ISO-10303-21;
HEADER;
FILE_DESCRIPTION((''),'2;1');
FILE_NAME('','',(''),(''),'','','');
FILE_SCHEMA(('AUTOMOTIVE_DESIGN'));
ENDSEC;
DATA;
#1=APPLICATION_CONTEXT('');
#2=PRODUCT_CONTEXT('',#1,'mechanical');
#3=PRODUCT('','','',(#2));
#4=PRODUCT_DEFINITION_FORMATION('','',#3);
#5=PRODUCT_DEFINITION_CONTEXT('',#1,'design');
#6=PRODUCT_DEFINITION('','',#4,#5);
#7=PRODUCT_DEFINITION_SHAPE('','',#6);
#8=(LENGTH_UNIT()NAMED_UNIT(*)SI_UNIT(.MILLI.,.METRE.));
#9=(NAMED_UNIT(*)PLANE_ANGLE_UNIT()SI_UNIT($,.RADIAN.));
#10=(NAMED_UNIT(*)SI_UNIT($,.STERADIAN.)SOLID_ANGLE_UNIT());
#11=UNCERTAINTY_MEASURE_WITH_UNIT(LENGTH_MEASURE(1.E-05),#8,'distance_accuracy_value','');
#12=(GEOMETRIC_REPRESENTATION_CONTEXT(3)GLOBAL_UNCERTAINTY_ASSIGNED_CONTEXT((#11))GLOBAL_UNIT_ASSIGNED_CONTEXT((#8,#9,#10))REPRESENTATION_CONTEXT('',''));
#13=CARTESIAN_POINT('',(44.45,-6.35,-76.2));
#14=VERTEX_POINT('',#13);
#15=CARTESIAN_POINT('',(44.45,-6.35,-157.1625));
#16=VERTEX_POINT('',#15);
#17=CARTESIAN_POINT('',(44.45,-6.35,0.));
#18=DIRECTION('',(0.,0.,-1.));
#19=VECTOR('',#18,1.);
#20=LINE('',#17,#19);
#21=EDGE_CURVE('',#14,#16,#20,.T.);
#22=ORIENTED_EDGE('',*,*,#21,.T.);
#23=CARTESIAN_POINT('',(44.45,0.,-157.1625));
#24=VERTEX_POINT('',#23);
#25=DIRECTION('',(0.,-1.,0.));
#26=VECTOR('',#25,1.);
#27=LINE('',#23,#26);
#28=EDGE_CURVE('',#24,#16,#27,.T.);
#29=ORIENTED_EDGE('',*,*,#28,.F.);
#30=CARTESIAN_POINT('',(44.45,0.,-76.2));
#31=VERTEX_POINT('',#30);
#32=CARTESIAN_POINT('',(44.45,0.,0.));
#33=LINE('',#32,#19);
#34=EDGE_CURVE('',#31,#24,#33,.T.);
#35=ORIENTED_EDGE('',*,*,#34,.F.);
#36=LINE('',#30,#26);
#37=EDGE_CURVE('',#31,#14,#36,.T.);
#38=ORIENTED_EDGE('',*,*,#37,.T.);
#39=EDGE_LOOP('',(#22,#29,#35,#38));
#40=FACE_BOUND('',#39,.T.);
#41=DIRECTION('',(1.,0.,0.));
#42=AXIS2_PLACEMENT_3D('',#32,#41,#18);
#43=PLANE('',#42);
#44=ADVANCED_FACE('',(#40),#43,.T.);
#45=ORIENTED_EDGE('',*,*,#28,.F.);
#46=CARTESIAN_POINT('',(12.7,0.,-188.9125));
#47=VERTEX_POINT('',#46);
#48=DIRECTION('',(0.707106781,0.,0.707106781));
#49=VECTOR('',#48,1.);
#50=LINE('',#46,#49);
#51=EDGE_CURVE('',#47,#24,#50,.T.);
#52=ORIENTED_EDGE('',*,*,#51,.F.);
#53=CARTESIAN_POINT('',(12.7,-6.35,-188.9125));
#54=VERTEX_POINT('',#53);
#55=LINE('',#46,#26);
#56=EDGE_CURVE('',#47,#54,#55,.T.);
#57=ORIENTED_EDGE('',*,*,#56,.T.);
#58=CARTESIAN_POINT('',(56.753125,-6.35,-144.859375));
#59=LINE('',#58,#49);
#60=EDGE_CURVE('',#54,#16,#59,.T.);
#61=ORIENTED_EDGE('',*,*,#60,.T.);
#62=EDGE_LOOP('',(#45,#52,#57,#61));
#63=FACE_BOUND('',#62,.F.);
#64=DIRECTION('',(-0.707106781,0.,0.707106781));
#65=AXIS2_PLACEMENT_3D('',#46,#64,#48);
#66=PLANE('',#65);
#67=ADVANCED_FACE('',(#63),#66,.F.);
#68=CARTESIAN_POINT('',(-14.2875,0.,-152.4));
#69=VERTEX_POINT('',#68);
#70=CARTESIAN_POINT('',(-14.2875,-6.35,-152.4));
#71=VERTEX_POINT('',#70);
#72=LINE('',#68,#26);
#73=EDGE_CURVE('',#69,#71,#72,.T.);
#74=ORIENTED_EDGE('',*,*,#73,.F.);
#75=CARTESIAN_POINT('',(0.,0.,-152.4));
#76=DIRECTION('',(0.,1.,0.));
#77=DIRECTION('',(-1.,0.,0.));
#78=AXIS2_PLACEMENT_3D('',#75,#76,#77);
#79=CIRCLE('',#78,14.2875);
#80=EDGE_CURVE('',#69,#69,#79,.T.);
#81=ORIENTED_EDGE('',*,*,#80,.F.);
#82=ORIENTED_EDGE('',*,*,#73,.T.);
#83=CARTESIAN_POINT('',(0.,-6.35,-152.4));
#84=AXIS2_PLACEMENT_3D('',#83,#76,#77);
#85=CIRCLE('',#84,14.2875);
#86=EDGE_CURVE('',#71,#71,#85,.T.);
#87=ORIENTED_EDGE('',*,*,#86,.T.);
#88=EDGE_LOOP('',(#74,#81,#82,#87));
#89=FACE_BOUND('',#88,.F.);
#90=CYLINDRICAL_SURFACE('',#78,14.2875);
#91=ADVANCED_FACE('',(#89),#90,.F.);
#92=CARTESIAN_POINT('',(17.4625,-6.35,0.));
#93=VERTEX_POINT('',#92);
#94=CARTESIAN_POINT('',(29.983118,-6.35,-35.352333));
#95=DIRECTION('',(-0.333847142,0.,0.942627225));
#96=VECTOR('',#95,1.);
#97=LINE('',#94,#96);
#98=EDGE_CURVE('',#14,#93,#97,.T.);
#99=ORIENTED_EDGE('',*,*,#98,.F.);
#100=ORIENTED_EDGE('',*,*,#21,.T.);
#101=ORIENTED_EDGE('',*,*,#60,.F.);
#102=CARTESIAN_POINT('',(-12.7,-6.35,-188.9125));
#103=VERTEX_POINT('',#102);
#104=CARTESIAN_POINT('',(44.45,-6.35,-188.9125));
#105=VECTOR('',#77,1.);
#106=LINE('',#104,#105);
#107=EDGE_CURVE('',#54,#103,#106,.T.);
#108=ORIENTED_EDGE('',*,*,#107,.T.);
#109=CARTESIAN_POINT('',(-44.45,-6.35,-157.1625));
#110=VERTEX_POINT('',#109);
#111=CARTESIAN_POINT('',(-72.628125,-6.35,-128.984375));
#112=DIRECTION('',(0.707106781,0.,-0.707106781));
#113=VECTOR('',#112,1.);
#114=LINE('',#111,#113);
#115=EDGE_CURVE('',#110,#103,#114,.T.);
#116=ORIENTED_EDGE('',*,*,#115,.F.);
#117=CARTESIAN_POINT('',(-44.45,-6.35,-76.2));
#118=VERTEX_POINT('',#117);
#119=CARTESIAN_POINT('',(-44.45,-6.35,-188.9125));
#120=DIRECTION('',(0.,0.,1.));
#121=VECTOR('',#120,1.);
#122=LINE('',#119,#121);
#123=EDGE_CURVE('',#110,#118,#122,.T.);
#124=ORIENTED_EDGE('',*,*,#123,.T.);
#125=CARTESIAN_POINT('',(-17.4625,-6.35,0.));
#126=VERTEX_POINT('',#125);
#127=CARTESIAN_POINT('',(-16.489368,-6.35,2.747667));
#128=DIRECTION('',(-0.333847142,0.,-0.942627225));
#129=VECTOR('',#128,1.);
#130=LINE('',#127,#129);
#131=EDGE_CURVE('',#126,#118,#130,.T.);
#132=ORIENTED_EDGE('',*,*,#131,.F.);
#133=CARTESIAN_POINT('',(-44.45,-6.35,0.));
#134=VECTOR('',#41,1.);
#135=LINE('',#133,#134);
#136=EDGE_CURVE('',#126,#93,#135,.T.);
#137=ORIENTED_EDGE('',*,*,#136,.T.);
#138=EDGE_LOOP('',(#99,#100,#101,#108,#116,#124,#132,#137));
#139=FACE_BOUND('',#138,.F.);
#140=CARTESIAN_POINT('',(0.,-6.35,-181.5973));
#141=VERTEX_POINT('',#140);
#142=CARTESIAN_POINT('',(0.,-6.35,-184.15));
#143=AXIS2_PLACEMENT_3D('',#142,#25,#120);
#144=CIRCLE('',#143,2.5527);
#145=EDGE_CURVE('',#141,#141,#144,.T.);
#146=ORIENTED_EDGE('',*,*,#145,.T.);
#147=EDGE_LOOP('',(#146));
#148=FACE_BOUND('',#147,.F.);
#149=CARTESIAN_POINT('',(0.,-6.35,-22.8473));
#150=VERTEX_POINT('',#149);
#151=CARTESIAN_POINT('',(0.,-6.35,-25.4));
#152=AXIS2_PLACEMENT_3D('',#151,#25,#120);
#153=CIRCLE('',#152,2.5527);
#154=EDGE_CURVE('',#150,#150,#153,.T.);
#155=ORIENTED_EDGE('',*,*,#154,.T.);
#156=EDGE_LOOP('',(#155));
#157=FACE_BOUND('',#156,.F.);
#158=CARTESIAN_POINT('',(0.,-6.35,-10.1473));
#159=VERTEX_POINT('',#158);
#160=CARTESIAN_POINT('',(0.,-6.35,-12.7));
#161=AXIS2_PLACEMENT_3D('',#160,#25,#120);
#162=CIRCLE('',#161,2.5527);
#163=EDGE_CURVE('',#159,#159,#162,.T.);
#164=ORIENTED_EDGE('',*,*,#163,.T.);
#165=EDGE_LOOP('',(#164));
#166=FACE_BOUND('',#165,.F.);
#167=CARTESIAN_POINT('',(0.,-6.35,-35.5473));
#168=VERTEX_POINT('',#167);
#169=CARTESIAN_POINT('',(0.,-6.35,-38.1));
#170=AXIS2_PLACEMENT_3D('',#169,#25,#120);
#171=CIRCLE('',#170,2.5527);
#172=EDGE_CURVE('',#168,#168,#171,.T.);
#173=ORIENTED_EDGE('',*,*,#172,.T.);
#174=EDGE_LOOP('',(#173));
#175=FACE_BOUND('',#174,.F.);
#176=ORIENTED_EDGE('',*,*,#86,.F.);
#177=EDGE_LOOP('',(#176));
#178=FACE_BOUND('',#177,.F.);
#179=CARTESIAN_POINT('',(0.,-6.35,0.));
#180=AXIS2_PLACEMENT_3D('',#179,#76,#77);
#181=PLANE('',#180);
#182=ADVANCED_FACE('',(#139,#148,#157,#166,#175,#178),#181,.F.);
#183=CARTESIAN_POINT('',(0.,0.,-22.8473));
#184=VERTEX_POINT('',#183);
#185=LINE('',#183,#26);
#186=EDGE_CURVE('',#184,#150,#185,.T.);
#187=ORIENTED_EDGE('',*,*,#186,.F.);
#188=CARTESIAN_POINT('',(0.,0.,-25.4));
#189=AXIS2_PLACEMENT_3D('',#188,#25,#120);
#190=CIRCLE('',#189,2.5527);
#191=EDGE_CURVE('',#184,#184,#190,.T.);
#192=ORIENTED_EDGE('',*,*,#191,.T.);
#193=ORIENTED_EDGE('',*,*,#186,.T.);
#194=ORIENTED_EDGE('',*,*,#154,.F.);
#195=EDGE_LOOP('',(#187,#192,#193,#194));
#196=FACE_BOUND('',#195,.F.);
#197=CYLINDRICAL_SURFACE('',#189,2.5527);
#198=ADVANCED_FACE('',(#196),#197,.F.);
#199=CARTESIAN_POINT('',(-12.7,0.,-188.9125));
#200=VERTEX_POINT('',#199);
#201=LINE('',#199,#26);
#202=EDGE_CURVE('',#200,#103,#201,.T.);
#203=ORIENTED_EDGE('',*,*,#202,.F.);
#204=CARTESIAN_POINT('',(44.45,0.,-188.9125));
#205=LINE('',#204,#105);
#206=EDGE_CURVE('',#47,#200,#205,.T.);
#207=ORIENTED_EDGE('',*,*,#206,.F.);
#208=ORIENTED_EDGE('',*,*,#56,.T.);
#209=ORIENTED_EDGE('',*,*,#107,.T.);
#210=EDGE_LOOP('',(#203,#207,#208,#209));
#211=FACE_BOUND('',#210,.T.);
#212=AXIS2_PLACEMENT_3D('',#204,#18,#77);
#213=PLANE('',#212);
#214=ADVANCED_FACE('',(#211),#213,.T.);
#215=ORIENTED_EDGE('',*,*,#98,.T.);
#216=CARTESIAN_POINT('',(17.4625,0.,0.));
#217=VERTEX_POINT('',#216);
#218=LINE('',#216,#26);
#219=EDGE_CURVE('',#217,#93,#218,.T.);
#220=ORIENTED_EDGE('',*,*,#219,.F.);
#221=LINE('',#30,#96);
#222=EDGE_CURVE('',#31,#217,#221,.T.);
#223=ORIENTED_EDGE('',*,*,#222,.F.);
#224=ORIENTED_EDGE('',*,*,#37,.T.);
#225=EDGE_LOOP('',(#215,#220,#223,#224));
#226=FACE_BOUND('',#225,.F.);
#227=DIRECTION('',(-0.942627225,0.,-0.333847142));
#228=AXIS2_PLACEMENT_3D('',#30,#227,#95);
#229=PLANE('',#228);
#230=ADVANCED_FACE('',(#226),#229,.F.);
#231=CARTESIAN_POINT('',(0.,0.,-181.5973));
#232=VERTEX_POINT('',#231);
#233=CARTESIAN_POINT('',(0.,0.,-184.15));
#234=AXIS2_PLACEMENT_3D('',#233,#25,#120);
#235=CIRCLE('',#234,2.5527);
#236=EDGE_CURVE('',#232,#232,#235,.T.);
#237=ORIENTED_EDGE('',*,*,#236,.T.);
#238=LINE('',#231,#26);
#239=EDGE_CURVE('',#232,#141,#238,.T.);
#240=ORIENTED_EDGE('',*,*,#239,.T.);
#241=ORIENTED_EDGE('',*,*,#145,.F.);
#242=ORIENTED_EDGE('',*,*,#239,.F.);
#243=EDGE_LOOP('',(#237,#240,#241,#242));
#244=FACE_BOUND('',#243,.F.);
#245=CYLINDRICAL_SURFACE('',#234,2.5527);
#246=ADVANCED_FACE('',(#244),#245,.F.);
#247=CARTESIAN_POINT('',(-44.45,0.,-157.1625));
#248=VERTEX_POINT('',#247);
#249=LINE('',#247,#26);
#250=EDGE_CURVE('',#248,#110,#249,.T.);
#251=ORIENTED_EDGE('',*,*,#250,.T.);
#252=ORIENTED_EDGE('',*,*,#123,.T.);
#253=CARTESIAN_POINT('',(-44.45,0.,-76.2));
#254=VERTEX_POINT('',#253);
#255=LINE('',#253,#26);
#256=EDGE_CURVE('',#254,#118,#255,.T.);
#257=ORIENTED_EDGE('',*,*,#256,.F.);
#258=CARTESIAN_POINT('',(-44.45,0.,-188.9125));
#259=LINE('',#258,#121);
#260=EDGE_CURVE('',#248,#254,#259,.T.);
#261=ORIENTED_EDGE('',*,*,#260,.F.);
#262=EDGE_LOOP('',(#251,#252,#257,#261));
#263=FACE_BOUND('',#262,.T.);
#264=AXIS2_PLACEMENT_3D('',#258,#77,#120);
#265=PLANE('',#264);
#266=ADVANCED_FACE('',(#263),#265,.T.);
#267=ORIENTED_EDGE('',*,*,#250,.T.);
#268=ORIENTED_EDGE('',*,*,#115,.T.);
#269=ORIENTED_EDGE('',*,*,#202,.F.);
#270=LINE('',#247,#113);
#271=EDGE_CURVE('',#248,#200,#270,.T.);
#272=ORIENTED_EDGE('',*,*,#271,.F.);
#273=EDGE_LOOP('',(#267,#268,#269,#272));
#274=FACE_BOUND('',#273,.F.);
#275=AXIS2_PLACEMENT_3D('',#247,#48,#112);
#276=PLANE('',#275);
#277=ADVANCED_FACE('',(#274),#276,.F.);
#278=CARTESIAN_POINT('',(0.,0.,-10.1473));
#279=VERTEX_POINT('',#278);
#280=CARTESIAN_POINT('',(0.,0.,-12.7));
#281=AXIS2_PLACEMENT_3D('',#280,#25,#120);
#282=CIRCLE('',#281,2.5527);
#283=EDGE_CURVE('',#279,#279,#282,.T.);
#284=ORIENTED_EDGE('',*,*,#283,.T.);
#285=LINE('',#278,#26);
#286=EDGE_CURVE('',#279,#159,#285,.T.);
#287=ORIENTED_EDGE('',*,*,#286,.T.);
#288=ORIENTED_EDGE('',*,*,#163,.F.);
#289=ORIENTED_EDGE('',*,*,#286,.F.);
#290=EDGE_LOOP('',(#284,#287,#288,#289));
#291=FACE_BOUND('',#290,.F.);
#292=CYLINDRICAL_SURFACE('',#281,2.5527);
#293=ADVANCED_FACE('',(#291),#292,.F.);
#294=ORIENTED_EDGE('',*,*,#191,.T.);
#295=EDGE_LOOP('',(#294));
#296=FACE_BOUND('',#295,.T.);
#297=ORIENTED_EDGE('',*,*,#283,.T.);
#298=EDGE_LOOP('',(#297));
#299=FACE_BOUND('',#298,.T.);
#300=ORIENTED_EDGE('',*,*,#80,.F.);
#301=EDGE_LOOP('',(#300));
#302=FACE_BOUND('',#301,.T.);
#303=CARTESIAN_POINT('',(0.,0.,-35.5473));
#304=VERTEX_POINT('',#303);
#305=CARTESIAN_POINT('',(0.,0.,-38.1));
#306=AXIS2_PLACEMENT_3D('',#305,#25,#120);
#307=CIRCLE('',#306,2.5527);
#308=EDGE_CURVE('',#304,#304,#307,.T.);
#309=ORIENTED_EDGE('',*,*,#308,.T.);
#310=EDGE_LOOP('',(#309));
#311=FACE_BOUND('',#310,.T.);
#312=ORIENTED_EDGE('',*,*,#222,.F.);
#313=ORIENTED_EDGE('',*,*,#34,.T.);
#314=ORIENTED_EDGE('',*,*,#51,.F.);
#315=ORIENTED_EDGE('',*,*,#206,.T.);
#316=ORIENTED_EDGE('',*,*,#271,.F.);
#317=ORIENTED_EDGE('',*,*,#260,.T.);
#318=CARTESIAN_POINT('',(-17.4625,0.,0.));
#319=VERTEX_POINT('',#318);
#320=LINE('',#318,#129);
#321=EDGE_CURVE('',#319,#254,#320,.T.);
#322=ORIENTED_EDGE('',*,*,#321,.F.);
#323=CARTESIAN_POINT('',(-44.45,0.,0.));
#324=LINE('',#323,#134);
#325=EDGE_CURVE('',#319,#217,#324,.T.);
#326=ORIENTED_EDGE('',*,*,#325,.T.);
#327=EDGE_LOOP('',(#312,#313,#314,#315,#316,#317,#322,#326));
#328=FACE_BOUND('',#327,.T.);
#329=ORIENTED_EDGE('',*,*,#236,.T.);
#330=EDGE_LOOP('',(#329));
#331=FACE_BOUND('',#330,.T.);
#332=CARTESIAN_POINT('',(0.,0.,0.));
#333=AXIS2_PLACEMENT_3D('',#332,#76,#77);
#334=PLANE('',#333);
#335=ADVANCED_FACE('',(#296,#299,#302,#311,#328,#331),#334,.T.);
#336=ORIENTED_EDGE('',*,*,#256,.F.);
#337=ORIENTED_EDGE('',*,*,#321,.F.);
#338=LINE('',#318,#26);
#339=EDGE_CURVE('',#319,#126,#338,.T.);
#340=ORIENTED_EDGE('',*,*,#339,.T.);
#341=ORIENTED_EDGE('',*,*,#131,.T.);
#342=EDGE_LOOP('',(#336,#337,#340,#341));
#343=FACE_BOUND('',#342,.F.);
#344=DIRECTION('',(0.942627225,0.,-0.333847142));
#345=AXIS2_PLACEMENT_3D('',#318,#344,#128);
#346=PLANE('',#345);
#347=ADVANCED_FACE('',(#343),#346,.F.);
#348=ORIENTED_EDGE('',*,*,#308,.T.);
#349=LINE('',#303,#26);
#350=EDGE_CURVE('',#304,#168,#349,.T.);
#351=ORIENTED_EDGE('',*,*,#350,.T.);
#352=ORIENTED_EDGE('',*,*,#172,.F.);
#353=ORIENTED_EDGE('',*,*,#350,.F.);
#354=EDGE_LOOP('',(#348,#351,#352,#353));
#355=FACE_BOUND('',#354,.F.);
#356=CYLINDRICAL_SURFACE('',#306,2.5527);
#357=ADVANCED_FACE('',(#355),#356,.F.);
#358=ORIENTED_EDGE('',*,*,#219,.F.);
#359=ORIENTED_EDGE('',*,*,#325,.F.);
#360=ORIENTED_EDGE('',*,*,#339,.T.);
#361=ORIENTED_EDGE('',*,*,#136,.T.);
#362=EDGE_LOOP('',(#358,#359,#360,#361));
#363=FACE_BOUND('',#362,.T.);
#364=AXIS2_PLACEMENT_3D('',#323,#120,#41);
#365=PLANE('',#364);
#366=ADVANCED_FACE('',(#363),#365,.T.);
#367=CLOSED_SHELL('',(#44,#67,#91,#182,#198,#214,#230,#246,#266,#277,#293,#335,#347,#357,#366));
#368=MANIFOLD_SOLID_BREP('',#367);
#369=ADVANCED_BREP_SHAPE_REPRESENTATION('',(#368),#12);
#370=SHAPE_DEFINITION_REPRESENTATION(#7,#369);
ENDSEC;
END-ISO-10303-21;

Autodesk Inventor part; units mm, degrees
ref_plane "YZ Plane" through (0, 0, 0) normal (1, 0, 0) x (0, 1, 0)
ref_plane "XZ Plane" through (0, 0, 0) normal (0, 1, 0) x (-1, 0, 0)
ref_plane "XY Plane" through (0, 0, 0) normal (0, 0, 1) x (1, 0, 0)
sketch "Sketch1" plane through (0, 0, 0) normal (0, 1, 0) x (-1, 0, 0)
  line L0 (44.45, 0) -> (-44.45, 0)
  line L1 (-44.45, 0) -> (-44.45, -188.9125)
  line L2 (-44.45, -188.9125) -> (44.45, -188.9125)
  line L3 (44.45, -188.9125) -> (44.45, 0)
  line L4 (12.7, -50.8) -> (-12.7, -50.8) construction
  line L5 (-12.7, -50.8) -> (-12.7, 0) construction
  line L6 (-12.7, 0) -> (12.7, 0) construction
  line L7 (12.7, 0) -> (12.7, -50.8) construction
  circle A0 centre (0, -152.4) radius 14.2875
  circle A1 centre (0, -184.15) radius 4.7625 construction
  point P0 (0, 0)
  point P1 (0, 0)
  dimension "d0" = 50.8
  dimension "d1" = 25.4
  dimension "d2" = 88.9
  dimension "d4" = 28.575
  dimension "d5" = 9.525
  dimension "d6" = 31.75
  dimension "d7" = 152.4
extrude "Extrusion1" add sketch "Sketch1" against normal blind 6.35
hole "Hole1" at (0, 0, -184.15) direction (0, -1, 0) diameter 5.1054 end through all clearance for "Flat Head Machine Screw (82)" size "#10" standard "Ansi Unified Screw Threads"
sketch "Sketch2" plane through (0, 0, 0) normal (0, 1, 0) x (1, 0, 0)
  circle A0 centre (0, 184.15) radius 2.5527 construction
  circle A1 centre (0, 152.4) radius 14.2875 construction
  line L0 (-44.45, 188.9125) -> (44.45, 188.9125) construction
  line L1 (44.45, 188.9125) -> (44.45, 0) construction
  line L2 (44.45, 0) -> (-44.45, 0) construction
  line L3 (-44.45, 0) -> (-44.45, 188.9125) construction
  line L4 (-44.45, 188.9125) -> (-44.45, 0) construction
  line L5 (-44.45, 157.1625) -> (-12.7, 188.9125)
  line L6 (44.45, 188.9125) -> (-44.45, 188.9125) construction
  line L7 (-12.7, 188.9125) -> (-44.45, 188.9125)
  line L8 (-44.45, 157.1625) -> (-44.45, 188.9125)
  line L9 (44.45, 188.9125) -> (12.7, 188.9125)
  line L10 (12.7, 188.9125) -> (44.45, 157.1625)
  line L11 (44.45, 157.1625) -> (44.45, 188.9125)
  line L12 (44.45, 0) -> (44.45, 188.9125) construction
  line L13 (-12.7, 188.9125) -> (12.7, 188.9125) construction
  line L14 (-44.45, 0) -> (-17.4625, 0)
  line L15 (-17.4625, 0) -> (-44.45, 76.2)
  line L16 (-44.45, 76.2) -> (-44.45, 0)
  line L17 (17.4625, 0) -> (44.45, 0)
  line L18 (44.45, 0) -> (44.45, 76.2)
  line L19 (44.45, 76.2) -> (17.4625, 0)
  line L20 (-44.45, 0) -> (44.45, 0) construction
  line L21 (-12.7, 0) -> (12.7, 0) construction
  line L22 (12.7, 0) -> (12.7, 50.8) construction
  line L23 (12.7, 50.8) -> (-12.7, 50.8) construction
  line L24 (-12.7, 50.8) -> (-12.7, 0) construction
  line L25 (17.4625, 0) -> (-17.4625, 0) construction
  point P0 (0, 0)
  point P1 (0, 188.9125)
  point P2 (0, 50.8)
  point P3 (0, 0)
  point P4 (0, 0)
  point P5 (0, 0)
  point P6 (0, 0)
  dimension "d18" = 25.4
  dimension "d19" = 31.75
  dimension "d20" = 31.75
  dimension "d21" = 25.4
  dimension "d22" = 50.8
  dimension "d23" = 34.925
  dimension "d24" = 76.2
extrude "Extrusion2" cut sketch "Sketch2" against normal through all
sketch "Sketch3" plane through (0, 0, 0) normal (0, 1, 0) x (1, 0, 0)
  line L0 (-17.4625, 0) -> (17.4625, 0) construction
  line L1 (0, 12.7) -> (0, 38.1) construction
  point P0 (0, 0)
  point P1 (0, 25.4)
  point P2 (0, 0)
  point P3 (0, 0)
  point P4 (0, 25.4)
  dimension "d27" = 12.7
  dimension "d28" = 25.4
hole "Hole2" at (0, 0, -12.7) at (0, 0, -25.4) at (0, 0, -38.1) direction (0, -1, 0) diameter 5.1054 end through all clearance for "Flat Head Machine Screw (82)" size "#10" standard "Ansi Unified Screw Threads"
equation "\"d20\" = d19"
properties part number "CL4-002" material "Aluminum 6061"
